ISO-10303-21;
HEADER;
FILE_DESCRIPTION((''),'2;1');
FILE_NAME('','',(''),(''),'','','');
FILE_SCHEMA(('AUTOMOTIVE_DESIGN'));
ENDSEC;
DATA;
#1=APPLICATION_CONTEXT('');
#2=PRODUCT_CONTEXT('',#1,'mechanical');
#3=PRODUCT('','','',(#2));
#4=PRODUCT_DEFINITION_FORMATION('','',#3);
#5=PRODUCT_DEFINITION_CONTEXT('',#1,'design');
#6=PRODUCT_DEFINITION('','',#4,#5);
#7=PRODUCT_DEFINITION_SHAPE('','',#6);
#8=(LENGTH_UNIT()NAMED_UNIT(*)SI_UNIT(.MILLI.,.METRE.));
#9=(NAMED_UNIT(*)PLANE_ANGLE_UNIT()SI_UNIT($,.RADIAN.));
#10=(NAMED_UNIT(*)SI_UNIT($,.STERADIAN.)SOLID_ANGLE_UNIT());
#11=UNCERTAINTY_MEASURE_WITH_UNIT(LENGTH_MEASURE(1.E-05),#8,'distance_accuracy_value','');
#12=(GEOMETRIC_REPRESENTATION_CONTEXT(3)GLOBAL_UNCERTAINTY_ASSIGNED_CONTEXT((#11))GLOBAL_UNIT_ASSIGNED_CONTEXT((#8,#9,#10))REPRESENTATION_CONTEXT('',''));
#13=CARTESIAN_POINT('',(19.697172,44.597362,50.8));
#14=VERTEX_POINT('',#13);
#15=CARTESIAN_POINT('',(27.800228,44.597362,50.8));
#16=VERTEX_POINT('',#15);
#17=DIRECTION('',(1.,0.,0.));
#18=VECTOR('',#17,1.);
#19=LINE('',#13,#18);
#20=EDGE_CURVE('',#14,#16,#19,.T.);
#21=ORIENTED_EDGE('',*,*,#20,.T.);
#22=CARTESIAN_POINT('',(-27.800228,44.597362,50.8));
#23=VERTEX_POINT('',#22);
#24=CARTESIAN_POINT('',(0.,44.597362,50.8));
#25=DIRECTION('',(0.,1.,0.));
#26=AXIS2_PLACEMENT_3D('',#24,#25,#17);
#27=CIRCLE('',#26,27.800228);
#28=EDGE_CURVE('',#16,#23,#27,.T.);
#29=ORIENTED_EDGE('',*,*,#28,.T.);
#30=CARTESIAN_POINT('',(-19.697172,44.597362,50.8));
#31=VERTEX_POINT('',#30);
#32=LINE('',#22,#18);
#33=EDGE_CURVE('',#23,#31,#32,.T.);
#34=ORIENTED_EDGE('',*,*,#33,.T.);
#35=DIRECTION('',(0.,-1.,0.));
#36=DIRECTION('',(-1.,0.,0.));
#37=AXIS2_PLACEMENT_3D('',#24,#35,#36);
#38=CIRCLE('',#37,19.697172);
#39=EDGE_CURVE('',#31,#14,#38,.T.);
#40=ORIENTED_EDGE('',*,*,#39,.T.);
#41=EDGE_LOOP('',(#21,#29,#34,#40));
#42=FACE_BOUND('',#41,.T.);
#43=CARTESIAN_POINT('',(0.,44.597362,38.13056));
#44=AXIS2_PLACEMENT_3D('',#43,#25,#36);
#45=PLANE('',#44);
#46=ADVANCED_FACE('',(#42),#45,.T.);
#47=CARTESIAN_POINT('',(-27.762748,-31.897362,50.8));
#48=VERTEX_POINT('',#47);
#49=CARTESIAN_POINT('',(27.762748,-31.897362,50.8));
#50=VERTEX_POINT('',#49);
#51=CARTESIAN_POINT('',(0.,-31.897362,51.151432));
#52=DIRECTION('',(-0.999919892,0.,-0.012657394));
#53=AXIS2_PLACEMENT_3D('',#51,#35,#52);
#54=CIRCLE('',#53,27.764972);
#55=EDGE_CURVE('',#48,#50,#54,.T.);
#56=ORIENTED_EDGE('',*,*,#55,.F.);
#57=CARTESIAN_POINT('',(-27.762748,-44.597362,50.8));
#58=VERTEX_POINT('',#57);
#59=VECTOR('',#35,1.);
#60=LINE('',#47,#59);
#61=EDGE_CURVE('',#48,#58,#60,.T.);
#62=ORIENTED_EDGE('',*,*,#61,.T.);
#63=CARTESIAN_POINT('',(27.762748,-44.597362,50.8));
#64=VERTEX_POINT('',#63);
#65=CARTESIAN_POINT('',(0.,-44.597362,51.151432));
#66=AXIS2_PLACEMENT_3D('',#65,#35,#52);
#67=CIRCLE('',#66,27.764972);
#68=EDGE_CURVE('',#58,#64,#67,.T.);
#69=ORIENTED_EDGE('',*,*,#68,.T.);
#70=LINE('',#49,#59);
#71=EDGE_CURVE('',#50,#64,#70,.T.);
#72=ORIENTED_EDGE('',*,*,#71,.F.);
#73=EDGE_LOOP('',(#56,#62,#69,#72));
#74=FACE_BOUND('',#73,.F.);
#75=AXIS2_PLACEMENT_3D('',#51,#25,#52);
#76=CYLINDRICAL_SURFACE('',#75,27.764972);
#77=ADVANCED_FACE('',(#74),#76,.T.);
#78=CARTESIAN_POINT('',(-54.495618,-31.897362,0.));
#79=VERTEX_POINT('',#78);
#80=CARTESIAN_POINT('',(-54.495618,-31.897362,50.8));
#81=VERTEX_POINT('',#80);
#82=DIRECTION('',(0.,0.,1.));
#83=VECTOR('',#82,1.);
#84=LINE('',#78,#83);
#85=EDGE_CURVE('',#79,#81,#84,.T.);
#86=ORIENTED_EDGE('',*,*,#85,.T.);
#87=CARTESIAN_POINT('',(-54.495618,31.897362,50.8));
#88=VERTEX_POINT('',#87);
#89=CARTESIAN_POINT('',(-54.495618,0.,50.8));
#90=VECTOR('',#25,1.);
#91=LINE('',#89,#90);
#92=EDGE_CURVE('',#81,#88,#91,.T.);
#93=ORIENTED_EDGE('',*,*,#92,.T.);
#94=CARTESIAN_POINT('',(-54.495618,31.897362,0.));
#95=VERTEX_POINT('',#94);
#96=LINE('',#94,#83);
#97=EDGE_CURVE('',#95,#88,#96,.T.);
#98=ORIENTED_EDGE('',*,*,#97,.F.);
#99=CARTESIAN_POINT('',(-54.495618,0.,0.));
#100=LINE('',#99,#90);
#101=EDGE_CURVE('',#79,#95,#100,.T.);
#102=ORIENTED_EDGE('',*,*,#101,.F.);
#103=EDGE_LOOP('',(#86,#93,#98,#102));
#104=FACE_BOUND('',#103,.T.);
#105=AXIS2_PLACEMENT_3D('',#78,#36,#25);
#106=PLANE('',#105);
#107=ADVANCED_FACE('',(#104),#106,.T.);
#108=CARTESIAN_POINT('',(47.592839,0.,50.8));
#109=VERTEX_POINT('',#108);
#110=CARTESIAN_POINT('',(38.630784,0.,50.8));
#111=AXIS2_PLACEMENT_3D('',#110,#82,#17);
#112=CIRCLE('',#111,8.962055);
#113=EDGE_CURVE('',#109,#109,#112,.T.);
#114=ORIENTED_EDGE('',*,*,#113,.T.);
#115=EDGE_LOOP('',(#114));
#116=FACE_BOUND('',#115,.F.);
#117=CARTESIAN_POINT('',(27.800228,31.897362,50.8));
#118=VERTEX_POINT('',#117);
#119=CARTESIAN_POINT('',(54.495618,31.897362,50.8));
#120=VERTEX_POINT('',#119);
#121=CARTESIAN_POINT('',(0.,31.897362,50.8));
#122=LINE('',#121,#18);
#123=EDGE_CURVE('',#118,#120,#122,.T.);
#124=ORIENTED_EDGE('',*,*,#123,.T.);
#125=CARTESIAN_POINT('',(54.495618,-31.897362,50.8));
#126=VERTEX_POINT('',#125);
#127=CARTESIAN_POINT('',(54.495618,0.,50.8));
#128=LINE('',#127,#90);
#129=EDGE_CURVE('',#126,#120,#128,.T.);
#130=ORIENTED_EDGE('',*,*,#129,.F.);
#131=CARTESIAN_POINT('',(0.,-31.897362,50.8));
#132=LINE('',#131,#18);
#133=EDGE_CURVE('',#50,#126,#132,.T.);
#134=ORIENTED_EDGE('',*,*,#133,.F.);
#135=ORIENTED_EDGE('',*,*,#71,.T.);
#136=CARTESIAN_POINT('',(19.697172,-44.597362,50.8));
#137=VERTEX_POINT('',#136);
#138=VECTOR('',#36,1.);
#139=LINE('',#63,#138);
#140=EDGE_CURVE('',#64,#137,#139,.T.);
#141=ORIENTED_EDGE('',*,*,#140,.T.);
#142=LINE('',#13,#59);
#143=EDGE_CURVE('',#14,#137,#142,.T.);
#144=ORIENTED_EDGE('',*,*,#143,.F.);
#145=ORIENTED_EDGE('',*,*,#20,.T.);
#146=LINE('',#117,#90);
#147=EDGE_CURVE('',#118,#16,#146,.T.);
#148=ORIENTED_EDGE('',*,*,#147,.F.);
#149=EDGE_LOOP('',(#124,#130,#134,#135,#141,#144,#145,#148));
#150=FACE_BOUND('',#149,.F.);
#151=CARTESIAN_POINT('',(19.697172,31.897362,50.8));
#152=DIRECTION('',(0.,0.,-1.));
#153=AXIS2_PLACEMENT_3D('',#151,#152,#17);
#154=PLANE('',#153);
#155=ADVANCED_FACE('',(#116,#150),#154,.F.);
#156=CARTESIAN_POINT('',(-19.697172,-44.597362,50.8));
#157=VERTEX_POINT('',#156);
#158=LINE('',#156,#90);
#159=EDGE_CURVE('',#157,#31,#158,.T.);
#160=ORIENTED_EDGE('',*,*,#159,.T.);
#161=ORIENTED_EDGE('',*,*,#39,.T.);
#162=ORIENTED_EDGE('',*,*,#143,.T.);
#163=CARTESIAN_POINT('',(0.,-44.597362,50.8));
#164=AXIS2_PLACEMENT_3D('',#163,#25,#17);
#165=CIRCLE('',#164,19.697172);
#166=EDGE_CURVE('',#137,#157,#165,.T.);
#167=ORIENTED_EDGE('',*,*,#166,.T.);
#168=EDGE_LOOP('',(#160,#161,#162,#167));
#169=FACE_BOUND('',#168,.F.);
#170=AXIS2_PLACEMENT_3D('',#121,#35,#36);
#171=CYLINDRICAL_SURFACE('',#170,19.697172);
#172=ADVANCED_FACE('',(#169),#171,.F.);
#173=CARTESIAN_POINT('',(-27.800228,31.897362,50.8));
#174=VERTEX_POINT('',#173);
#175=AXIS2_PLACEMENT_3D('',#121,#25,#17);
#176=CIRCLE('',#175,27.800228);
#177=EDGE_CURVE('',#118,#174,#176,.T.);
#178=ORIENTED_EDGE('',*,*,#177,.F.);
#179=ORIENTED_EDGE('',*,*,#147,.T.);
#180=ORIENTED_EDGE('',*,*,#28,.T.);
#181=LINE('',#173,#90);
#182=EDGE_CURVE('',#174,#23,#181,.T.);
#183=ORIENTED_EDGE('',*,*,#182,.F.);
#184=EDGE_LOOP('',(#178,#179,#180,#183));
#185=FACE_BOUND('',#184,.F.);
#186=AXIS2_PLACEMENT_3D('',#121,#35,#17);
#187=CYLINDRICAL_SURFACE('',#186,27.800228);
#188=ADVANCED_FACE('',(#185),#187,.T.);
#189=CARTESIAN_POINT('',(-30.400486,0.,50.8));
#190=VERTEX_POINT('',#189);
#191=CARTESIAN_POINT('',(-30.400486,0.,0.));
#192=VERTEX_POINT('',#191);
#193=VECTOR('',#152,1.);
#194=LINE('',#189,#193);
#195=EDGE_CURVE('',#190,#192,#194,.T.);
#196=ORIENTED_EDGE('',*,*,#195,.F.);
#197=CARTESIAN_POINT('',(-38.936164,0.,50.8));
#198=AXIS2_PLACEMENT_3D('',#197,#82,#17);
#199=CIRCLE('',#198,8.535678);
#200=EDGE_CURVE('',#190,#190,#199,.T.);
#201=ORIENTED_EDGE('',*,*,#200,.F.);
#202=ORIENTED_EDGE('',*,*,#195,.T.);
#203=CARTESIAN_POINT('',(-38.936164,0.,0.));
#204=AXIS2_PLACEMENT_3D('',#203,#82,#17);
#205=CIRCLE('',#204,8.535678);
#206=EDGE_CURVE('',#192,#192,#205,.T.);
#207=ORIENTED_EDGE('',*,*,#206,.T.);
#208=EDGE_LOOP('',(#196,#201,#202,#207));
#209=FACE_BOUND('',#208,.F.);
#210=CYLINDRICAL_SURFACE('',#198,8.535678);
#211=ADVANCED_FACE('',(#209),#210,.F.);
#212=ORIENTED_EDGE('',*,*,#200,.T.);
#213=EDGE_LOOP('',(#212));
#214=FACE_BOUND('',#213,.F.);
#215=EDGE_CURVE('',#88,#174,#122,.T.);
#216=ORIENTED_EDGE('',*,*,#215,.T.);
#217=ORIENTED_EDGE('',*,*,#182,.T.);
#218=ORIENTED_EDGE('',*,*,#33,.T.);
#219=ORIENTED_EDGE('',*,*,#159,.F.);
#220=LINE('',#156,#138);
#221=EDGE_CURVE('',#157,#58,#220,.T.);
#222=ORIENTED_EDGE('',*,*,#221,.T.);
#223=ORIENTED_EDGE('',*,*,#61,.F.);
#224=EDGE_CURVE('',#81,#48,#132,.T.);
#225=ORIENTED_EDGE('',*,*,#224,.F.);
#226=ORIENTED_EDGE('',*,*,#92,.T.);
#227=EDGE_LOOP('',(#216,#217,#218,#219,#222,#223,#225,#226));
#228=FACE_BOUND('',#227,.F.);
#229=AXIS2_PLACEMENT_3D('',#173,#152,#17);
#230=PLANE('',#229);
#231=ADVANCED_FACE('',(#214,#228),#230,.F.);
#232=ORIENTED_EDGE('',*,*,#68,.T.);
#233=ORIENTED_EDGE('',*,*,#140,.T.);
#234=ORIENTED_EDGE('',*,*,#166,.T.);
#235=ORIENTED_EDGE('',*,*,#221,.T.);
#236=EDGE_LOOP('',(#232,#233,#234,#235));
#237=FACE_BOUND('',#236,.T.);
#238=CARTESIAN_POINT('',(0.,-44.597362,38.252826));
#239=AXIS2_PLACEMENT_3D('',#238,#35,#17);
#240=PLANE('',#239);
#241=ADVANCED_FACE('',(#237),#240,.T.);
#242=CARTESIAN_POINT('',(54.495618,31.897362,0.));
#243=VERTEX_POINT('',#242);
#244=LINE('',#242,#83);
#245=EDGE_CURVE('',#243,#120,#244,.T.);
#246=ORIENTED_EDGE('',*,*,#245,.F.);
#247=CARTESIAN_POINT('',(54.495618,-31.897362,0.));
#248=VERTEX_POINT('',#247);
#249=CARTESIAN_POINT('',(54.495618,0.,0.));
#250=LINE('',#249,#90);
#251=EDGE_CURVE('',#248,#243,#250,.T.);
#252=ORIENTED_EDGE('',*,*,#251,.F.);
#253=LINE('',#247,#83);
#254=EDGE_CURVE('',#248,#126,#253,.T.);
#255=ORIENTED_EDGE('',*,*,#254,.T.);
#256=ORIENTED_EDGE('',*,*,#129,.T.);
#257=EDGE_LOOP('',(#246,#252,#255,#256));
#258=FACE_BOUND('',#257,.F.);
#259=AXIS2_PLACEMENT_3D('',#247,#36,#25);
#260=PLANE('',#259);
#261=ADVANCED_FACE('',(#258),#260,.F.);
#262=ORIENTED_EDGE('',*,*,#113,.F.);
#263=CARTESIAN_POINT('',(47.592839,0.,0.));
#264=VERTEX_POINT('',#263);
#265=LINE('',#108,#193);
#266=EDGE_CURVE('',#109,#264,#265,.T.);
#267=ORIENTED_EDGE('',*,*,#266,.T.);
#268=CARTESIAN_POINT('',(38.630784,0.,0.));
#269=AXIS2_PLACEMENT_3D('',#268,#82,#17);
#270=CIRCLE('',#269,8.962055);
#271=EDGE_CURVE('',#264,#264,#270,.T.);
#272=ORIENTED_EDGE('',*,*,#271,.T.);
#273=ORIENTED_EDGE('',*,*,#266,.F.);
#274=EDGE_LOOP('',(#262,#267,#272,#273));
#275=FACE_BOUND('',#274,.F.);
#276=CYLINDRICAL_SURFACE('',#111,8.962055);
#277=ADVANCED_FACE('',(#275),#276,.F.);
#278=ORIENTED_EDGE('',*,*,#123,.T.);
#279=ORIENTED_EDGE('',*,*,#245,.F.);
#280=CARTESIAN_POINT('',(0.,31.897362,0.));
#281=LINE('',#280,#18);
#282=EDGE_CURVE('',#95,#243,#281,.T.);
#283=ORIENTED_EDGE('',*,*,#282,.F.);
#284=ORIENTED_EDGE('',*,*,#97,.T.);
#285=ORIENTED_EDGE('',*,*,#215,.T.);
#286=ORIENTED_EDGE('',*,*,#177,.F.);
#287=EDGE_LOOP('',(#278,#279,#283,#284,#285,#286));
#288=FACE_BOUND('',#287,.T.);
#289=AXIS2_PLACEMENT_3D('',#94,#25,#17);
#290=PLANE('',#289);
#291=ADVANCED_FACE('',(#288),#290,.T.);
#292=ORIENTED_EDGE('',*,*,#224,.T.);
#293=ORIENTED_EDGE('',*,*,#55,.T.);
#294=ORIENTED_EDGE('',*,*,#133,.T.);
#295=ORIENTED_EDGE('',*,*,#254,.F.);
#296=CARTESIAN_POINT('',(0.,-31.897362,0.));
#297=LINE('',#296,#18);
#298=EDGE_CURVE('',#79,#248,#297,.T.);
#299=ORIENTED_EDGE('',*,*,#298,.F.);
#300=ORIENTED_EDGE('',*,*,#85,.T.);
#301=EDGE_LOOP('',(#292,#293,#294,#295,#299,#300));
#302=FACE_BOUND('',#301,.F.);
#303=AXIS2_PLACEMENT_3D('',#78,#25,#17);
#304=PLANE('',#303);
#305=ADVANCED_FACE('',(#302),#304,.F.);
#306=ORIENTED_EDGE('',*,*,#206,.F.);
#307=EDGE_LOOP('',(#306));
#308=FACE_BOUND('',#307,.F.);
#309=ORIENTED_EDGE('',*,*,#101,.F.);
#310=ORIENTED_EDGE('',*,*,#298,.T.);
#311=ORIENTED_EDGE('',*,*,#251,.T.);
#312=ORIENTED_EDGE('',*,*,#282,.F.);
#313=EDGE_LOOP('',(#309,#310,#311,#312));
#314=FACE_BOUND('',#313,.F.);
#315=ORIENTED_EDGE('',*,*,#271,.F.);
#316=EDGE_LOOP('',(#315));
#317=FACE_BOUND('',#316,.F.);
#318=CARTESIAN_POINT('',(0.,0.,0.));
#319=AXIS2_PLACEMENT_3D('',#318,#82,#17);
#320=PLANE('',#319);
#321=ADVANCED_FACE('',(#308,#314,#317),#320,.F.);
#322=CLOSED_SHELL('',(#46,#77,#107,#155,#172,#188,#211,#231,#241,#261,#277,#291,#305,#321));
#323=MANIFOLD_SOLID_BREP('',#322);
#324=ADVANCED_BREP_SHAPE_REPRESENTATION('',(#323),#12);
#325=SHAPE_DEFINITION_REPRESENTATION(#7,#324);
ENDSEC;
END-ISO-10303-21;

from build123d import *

# Parameters (mm, degrees)
F0_W      = 108.991236
F0_H      = 63.794724
F1_DEPTH  = 50.8
F4_DEPTH  = 89.916
F5_DEPTH  = 12.7
F7_DEPTH  = 12.7
F8_R      = 8.535678
F9_DEPTH  = 76.708
F10_R     = 8.962055
F11_DEPTH = 88.392


with BuildPart() as f1:
    # F0 (on Top) → F1 (new body)
    with BuildSketch(Plane.XY):
        Rectangle(F0_W, F0_H)
    extrude(amount=F1_DEPTH)

    # F2 (on face) → F4 (cut)
    with BuildSketch(Plane.XZ.offset(31.897362)):
        with BuildLine():
            Line((19.697172, 50.8), (-19.697172, 50.8))
            ThreePointArc((-19.697172, 50.8), (0, 31.102828), (19.697172, 50.8))
        make_face()
    extrude(amount=-F4_DEPTH, mode=Mode.SUBTRACT)

    # F3 (on face) → F5 (join)
    with BuildSketch(Plane.XZ.offset(31.897362)):
        with BuildLine():
            Line((-19.697172, 50.8), (-27.762748, 50.8))
            ThreePointArc((-27.762748, 50.8), (0, 23.38646), (27.762748, 50.8))
            Line((27.762748, 50.8), (19.697172, 50.8))
            ThreePointArc((19.697172, 50.8), (0, 31.102828), (-19.697172, 50.8))
        make_face()
    extrude(amount=F5_DEPTH)

    # F6 (on face) → F7 (join)
    with BuildSketch(Plane(origin=(0, 31.897362, 0), x_dir=(-1, 0, 0), z_dir=(0, 1, 0))):
        with BuildLine():
            ThreePointArc((-27.800228, 50.8), (0, 22.999772), (27.800228, 50.8))
            Line((27.800228, 50.8), (19.697172, 50.8))
            ThreePointArc((19.697172, 50.8), (0, 31.102828), (-19.697172, 50.8))
            Line((-19.697172, 50.8), (-27.800228, 50.8))
        make_face()
    extrude(amount=F7_DEPTH)

    # F8 (on face) → F9 (cut)
    with BuildSketch(Plane.XY.offset(50.8)):
        with Locations((-38.936164, 0)):
            Circle(F8_R)
    extrude(amount=-F9_DEPTH, mode=Mode.SUBTRACT)

    # F10 (on face) → F11 (cut)
    with BuildSketch(Plane.XY.offset(50.8)):
        with Locations((38.630784, 0)):
            Circle(F10_R)
    extrude(amount=-F11_DEPTH, mode=Mode.SUBTRACT)


solid = f1.part
